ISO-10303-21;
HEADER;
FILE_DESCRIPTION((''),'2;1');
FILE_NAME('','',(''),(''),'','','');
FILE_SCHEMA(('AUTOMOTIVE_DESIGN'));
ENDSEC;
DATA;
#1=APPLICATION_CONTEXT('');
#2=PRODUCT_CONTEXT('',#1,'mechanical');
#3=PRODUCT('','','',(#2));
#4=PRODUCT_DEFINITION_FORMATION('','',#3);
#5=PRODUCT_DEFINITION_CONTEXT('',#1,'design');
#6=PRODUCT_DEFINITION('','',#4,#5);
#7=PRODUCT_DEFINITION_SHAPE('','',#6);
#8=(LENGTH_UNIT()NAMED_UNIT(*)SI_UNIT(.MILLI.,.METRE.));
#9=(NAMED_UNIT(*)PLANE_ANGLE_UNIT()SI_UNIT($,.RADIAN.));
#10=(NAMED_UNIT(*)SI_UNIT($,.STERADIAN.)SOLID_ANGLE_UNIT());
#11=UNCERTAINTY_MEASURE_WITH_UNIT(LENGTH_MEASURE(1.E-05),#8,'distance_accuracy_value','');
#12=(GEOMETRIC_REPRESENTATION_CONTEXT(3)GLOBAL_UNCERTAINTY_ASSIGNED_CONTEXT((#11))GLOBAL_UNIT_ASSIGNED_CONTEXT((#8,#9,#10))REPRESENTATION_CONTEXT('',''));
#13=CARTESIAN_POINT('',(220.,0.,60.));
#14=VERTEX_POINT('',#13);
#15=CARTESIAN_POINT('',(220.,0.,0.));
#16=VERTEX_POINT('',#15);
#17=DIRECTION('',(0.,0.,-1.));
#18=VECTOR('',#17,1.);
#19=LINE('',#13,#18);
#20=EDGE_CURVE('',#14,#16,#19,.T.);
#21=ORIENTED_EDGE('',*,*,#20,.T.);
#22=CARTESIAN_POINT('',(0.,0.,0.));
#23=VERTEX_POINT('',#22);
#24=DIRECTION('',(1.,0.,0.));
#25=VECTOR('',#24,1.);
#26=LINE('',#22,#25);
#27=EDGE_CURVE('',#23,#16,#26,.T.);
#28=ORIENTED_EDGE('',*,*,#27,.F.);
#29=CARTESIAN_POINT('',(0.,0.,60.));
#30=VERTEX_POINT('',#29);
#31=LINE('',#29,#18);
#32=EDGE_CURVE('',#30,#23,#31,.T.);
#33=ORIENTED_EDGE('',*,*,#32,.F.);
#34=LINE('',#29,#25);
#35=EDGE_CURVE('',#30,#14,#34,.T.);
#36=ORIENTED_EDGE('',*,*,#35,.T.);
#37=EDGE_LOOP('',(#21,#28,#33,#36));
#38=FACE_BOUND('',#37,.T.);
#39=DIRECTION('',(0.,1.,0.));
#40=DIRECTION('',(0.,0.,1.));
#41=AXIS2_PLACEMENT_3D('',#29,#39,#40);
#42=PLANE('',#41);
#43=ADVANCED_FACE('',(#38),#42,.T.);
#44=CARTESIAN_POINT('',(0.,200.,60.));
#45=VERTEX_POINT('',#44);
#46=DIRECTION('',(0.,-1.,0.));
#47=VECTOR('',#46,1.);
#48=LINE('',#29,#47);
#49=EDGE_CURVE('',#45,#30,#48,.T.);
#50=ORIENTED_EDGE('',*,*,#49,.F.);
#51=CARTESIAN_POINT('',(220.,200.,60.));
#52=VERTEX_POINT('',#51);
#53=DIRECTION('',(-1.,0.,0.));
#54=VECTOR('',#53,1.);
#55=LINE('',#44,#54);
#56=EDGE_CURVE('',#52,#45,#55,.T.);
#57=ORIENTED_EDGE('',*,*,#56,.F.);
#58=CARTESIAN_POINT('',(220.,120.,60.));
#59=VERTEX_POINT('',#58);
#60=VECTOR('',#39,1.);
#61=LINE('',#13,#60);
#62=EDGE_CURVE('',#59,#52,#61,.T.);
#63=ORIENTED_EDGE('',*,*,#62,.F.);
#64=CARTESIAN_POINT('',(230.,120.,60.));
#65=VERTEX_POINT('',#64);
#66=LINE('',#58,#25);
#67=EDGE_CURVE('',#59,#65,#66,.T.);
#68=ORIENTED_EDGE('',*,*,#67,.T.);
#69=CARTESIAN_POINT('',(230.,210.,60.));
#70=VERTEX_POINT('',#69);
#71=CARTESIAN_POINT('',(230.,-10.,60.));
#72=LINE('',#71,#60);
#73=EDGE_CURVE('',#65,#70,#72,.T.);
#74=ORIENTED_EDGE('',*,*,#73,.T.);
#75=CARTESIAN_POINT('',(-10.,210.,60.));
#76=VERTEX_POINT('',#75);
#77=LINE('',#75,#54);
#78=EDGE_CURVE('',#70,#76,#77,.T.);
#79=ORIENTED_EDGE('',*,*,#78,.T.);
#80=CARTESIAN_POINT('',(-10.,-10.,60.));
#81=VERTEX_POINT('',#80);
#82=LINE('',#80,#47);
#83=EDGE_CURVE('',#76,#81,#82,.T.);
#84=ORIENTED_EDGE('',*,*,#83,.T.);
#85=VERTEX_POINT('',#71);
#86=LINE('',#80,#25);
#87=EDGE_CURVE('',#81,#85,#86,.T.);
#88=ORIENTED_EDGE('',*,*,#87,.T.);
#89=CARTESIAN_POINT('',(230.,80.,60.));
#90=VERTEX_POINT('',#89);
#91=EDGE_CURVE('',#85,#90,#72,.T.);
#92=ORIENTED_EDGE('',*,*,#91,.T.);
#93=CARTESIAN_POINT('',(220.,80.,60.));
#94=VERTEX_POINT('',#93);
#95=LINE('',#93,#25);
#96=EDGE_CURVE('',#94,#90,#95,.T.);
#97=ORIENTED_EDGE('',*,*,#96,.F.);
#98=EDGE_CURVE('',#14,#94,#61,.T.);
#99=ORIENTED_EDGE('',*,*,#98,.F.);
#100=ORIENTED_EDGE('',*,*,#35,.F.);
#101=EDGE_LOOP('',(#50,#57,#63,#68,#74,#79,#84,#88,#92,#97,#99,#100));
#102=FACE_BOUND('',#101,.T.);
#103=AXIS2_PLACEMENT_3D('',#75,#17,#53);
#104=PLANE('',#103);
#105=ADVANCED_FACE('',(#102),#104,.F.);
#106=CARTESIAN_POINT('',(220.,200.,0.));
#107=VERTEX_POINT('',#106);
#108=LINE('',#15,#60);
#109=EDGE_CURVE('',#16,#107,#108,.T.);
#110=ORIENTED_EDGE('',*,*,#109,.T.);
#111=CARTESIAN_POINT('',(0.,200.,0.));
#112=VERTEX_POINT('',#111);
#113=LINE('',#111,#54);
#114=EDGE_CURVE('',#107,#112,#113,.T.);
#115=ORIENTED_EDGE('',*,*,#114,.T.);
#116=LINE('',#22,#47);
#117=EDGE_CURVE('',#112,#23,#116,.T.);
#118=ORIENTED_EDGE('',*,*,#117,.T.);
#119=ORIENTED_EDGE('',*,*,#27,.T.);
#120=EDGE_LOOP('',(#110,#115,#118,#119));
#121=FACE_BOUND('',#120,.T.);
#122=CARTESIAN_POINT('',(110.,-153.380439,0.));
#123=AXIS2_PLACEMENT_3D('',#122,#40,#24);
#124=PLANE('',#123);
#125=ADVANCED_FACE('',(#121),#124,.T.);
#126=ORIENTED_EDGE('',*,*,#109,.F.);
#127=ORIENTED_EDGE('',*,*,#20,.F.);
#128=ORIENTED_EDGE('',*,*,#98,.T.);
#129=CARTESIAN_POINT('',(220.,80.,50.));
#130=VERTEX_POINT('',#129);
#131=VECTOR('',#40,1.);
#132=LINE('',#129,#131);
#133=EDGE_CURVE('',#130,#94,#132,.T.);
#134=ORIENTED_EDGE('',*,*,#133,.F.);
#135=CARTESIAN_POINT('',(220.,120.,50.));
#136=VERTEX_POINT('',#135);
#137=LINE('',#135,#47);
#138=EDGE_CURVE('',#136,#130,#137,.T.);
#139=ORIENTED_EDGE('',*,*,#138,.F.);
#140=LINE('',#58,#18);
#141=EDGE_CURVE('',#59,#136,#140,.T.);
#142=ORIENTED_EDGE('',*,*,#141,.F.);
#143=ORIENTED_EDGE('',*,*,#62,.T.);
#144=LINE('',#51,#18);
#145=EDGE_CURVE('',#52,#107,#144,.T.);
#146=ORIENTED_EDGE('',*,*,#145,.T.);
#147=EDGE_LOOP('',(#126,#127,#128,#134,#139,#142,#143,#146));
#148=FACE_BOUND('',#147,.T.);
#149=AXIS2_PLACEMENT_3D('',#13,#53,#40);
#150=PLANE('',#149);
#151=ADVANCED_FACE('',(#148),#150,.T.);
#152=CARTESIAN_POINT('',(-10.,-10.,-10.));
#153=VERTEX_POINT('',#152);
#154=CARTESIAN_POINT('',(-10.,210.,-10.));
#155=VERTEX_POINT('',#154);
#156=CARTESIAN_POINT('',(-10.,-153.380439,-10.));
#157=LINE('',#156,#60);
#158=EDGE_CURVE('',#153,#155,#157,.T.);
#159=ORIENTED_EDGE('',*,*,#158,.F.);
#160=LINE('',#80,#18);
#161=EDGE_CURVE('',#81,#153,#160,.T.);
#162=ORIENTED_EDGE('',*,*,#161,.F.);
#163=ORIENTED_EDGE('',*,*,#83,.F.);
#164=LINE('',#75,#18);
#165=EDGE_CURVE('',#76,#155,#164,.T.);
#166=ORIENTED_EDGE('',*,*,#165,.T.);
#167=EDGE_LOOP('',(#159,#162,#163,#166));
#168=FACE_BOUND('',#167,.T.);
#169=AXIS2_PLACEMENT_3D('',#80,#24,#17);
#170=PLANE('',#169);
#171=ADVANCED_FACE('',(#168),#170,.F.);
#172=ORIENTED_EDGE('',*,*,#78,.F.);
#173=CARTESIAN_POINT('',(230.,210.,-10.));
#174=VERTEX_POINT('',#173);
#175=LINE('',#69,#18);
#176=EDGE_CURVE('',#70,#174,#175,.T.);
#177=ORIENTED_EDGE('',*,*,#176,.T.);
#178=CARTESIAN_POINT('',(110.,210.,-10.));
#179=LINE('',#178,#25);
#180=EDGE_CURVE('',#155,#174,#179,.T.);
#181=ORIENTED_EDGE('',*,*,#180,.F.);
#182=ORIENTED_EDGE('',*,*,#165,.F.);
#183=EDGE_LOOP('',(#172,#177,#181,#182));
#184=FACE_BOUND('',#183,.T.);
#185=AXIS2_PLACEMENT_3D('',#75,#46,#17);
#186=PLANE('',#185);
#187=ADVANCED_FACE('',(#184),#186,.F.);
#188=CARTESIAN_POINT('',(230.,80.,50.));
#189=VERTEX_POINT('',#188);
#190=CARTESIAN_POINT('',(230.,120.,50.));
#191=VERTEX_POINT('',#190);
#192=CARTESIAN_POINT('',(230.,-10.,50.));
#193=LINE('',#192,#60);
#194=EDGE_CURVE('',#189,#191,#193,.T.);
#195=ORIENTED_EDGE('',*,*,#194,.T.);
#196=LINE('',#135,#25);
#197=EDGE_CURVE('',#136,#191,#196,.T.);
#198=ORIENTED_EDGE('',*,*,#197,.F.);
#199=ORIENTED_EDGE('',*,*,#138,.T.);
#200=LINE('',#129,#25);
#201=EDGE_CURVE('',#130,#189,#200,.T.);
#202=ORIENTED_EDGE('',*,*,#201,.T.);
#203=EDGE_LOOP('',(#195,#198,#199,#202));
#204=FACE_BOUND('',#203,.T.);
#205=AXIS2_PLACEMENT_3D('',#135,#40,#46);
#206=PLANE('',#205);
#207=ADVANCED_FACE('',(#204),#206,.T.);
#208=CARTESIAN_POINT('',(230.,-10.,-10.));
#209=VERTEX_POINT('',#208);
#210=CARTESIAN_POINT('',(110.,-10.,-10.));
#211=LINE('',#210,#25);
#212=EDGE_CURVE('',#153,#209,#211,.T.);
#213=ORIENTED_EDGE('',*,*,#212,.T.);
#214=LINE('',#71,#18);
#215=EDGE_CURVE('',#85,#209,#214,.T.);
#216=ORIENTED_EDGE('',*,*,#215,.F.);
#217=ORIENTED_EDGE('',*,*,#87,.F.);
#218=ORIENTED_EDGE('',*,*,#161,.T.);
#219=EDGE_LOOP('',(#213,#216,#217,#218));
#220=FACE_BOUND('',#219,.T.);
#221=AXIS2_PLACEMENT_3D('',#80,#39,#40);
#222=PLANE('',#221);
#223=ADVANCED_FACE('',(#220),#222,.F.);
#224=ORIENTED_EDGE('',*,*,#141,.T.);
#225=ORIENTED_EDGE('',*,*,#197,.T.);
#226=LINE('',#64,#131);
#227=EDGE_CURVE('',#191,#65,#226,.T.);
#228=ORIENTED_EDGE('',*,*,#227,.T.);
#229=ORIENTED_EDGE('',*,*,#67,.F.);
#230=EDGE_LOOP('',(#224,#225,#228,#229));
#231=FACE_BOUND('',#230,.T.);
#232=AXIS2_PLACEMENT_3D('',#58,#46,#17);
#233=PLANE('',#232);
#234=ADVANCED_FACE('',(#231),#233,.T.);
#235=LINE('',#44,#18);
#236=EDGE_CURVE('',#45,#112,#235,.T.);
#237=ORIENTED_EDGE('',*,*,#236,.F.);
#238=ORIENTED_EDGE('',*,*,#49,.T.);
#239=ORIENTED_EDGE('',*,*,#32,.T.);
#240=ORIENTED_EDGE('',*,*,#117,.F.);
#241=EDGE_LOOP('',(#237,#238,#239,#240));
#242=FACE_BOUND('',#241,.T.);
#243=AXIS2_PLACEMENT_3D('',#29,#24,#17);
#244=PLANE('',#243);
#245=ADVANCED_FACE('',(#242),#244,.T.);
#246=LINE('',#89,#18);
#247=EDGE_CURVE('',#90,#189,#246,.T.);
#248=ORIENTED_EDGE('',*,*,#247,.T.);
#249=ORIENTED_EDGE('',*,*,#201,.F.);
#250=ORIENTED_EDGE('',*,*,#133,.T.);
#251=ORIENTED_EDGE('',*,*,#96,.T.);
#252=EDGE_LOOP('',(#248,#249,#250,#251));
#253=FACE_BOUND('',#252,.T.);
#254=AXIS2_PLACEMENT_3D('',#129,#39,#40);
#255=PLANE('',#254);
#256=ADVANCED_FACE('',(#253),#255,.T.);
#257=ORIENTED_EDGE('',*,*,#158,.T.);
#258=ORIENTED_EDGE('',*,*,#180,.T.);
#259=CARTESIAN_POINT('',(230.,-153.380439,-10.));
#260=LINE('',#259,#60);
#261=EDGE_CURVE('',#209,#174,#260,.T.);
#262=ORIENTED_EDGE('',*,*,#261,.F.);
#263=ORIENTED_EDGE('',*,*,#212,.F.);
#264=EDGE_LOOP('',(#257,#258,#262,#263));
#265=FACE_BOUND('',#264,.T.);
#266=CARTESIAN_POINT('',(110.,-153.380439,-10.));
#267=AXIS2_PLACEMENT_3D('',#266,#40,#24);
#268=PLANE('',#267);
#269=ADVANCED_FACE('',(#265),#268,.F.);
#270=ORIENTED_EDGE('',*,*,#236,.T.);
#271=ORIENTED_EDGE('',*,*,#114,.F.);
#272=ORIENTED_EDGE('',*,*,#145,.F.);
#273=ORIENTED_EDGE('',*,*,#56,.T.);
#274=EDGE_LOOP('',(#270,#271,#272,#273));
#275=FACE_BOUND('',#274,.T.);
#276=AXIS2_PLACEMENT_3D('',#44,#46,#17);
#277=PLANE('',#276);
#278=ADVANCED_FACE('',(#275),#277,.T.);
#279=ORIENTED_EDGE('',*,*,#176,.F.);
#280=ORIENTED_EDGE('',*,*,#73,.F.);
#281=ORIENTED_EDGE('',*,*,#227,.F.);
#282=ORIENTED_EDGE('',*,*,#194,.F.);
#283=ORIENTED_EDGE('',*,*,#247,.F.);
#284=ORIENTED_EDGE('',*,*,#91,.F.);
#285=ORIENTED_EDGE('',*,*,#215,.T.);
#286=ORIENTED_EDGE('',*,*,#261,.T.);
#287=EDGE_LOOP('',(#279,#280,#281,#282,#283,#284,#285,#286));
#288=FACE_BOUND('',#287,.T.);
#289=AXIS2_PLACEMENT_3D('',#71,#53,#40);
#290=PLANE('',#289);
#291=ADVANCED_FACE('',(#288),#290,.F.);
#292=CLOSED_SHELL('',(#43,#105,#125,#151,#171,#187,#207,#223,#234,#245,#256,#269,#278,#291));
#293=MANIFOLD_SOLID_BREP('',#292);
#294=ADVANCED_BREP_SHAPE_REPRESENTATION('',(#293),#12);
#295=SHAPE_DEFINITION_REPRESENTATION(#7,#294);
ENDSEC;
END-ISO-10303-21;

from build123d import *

# Parameters (mm, degrees)
ESQUISSE1_W              = 240
ESQUISSE1_H              = 220
ESQUISSE1_W_2            = 220
ESQUISSE1_H_2            = 200
BOSS_EXTRU_3_DEPTH       = 60
ESQUISSE1_2_W            = 240
ESQUISSE1_2_H            = 220
BOSS_EXTRU_4_DEPTH       = 10
ENL_V_MAT_EXTRU_17_DEPTH = 318.175030543


with BuildPart() as part:
    # Esquisse1 → Boss.-Extru.3 (new body)
    with BuildSketch(Plane.XY):
        with Locations((110, 100)):
            Rectangle(ESQUISSE1_W, ESQUISSE1_H)
        with Locations((110, 100)):
            Rectangle(ESQUISSE1_W_2, ESQUISSE1_H_2, mode=Mode.SUBTRACT)
    extrude(amount=BOSS_EXTRU_3_DEPTH)

    # Esquisse1<2> → Boss.-Extru.4 (add)
    with BuildSketch(Plane.XY):
        with Locations((110, 100)):
            Rectangle(ESQUISSE1_2_W, ESQUISSE1_2_H)
    extrude(amount=-BOSS_EXTRU_4_DEPTH)

    # Esquisse4 → Enlèv. mat.-Extru.17 (cut, through all)
    with BuildSketch(Plane.ZY.offset(-220)):
        Polygon((365.296461205, 120), (60, 120), (50, 120), (50, 80), (60, 80), (365.296461205, 80), (975.889383614, 80), (975.889383614, 120), align=None)
    extrude(amount=-ENL_V_MAT_EXTRU_17_DEPTH, mode=Mode.SUBTRACT)


solid = part.part
